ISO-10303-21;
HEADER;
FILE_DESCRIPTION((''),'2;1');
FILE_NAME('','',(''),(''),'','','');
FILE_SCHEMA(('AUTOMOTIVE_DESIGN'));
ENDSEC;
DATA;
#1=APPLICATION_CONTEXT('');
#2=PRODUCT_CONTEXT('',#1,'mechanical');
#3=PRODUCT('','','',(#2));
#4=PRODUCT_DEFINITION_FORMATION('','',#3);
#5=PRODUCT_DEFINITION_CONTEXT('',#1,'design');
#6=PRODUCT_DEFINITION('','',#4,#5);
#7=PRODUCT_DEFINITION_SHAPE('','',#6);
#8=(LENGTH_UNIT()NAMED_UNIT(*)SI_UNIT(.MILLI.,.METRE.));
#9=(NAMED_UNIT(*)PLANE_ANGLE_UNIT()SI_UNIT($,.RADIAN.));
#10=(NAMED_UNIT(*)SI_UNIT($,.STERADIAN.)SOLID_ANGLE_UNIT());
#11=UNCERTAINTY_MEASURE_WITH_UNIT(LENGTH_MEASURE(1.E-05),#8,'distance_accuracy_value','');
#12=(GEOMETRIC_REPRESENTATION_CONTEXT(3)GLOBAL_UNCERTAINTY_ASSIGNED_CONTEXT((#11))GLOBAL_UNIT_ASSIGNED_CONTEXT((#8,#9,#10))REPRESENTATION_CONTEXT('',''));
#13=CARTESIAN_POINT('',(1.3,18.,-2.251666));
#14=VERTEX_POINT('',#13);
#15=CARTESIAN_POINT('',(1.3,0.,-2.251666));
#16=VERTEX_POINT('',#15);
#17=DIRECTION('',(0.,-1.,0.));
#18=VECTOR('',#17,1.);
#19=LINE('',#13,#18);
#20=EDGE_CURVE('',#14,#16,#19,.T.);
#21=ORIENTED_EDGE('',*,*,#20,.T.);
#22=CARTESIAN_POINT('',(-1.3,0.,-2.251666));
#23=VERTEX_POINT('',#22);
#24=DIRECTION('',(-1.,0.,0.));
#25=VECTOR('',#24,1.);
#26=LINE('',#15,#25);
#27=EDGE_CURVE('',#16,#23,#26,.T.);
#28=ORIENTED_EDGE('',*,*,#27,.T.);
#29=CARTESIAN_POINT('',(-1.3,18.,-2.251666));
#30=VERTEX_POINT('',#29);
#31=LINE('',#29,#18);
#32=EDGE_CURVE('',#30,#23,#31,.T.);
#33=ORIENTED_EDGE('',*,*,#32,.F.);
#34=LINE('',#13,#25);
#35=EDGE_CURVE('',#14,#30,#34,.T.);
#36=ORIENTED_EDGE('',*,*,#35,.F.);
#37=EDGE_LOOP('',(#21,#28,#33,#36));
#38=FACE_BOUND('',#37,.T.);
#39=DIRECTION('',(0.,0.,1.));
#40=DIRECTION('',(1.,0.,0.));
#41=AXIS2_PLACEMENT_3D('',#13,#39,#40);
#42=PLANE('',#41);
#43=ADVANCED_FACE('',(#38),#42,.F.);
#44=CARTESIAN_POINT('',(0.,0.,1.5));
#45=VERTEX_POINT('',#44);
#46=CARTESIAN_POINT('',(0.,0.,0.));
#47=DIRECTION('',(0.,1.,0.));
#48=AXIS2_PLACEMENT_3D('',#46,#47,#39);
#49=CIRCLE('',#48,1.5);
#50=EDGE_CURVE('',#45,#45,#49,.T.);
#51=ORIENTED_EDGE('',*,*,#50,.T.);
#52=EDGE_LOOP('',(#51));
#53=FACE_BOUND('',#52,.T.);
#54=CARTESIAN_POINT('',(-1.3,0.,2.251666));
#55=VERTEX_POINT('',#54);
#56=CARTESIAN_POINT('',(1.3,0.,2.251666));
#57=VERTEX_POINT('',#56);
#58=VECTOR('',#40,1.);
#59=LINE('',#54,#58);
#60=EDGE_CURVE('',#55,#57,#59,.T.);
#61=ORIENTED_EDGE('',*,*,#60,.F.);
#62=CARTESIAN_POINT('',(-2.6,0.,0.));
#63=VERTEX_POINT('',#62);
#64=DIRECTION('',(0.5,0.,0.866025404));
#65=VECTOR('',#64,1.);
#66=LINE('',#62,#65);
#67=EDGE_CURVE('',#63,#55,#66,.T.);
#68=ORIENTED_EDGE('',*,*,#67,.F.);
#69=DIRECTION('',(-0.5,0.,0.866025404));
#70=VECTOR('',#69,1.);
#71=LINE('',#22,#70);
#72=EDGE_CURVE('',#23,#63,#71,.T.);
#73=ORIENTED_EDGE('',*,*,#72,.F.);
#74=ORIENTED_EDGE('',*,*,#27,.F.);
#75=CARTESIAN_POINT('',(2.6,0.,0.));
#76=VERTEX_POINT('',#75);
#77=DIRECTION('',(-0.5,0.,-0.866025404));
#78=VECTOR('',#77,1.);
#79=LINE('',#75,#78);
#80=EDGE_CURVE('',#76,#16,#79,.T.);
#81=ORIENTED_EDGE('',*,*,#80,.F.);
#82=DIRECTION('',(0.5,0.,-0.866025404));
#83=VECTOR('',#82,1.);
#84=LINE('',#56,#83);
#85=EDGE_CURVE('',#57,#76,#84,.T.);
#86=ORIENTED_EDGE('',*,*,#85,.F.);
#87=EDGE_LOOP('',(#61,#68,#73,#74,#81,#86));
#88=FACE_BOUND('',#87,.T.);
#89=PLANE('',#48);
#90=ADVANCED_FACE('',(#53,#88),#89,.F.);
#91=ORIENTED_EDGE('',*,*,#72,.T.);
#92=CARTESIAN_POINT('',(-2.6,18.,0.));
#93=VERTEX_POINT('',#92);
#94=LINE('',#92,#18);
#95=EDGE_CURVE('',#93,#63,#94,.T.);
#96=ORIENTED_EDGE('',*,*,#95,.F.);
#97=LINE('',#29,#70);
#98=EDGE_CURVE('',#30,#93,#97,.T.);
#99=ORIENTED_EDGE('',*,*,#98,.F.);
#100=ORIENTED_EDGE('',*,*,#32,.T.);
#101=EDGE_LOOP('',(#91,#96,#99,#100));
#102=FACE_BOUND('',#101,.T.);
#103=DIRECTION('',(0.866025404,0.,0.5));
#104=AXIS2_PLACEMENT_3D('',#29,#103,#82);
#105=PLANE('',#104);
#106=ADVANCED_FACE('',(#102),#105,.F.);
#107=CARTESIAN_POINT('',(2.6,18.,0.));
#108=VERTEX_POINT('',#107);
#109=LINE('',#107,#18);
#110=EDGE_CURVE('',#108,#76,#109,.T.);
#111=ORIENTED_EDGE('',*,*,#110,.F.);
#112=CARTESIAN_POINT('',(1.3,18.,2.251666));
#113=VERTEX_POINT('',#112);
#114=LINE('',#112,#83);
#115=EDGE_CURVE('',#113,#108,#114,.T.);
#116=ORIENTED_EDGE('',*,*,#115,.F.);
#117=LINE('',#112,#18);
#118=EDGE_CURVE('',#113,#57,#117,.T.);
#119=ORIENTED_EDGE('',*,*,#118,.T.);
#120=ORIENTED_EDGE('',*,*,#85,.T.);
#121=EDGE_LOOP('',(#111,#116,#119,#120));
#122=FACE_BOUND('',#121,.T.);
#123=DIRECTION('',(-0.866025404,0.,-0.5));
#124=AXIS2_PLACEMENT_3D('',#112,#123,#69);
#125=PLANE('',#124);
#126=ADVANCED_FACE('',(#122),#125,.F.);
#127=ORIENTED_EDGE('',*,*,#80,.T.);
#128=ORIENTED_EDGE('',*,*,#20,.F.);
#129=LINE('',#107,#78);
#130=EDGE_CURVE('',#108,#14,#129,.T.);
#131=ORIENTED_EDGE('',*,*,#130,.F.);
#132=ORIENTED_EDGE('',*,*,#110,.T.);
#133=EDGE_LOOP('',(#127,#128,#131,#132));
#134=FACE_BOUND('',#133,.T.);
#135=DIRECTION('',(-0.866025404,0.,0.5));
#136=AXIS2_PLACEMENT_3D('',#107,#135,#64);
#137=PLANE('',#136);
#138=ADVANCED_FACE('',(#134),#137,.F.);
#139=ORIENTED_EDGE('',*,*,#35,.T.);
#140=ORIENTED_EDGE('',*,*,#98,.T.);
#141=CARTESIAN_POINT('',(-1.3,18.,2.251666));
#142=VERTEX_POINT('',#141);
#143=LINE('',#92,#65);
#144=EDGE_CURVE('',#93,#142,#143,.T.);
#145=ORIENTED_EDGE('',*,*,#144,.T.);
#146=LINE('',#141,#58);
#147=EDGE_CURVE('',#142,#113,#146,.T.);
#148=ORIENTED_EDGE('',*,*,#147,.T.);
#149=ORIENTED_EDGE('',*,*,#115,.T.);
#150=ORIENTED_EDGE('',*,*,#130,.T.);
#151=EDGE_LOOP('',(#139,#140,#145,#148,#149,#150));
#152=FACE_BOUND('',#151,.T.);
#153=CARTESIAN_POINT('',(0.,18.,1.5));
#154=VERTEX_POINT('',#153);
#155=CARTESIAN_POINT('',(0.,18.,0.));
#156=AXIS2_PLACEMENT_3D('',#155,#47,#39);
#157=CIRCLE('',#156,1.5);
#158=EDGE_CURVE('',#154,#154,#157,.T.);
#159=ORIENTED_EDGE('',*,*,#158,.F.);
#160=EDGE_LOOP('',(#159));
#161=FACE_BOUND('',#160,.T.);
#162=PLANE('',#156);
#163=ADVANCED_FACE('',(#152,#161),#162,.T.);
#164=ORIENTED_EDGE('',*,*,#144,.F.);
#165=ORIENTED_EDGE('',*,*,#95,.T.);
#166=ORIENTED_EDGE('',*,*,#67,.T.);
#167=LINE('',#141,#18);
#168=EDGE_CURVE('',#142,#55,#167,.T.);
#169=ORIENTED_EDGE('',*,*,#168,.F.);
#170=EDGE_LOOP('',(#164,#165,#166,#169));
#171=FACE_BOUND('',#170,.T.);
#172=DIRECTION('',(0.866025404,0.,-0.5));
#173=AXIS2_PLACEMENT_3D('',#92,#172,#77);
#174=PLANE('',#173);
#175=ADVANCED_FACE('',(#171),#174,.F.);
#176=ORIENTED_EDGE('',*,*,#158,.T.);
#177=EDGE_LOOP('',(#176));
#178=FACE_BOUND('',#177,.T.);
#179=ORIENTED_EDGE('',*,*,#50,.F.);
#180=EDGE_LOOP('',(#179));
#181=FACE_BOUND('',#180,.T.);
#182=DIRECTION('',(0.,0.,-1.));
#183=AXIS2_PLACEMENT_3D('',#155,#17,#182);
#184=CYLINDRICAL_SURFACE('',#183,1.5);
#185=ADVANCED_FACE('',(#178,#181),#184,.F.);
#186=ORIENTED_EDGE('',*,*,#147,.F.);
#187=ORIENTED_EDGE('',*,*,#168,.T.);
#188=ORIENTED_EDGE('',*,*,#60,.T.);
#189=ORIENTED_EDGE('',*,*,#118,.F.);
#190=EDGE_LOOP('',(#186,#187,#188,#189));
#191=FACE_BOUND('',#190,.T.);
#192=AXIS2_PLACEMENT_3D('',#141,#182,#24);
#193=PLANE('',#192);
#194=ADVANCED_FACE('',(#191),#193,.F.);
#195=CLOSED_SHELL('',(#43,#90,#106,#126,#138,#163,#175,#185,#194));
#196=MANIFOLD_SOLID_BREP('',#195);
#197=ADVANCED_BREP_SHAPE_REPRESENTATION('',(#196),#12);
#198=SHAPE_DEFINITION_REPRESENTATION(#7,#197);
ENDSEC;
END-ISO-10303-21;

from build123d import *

# Parameters (mm, degrees)
SKETCH_1_R      = 1.5
EXTRUDE_1_DEPTH = 18


with BuildPart() as part:
    # 草图1 → 凸台-拉伸1 (new body)
    with BuildSketch(Plane(origin=(0, 0, 0), x_dir=(1, 0, 0), z_dir=(0, 1, 0))):
        Polygon((2.6, 0), (1.3, 2.25166605), (-1.3, 2.25166605), (-2.6, 0), (-1.3, -2.25166605), (1.3, -2.25166605), align=None)
        with Locations(Location((0, 0, 0), (0, 0, 270))):
            Circle(SKETCH_1_R, mode=Mode.SUBTRACT)
    extrude(amount=EXTRUDE_1_DEPTH)


solid = part.part
